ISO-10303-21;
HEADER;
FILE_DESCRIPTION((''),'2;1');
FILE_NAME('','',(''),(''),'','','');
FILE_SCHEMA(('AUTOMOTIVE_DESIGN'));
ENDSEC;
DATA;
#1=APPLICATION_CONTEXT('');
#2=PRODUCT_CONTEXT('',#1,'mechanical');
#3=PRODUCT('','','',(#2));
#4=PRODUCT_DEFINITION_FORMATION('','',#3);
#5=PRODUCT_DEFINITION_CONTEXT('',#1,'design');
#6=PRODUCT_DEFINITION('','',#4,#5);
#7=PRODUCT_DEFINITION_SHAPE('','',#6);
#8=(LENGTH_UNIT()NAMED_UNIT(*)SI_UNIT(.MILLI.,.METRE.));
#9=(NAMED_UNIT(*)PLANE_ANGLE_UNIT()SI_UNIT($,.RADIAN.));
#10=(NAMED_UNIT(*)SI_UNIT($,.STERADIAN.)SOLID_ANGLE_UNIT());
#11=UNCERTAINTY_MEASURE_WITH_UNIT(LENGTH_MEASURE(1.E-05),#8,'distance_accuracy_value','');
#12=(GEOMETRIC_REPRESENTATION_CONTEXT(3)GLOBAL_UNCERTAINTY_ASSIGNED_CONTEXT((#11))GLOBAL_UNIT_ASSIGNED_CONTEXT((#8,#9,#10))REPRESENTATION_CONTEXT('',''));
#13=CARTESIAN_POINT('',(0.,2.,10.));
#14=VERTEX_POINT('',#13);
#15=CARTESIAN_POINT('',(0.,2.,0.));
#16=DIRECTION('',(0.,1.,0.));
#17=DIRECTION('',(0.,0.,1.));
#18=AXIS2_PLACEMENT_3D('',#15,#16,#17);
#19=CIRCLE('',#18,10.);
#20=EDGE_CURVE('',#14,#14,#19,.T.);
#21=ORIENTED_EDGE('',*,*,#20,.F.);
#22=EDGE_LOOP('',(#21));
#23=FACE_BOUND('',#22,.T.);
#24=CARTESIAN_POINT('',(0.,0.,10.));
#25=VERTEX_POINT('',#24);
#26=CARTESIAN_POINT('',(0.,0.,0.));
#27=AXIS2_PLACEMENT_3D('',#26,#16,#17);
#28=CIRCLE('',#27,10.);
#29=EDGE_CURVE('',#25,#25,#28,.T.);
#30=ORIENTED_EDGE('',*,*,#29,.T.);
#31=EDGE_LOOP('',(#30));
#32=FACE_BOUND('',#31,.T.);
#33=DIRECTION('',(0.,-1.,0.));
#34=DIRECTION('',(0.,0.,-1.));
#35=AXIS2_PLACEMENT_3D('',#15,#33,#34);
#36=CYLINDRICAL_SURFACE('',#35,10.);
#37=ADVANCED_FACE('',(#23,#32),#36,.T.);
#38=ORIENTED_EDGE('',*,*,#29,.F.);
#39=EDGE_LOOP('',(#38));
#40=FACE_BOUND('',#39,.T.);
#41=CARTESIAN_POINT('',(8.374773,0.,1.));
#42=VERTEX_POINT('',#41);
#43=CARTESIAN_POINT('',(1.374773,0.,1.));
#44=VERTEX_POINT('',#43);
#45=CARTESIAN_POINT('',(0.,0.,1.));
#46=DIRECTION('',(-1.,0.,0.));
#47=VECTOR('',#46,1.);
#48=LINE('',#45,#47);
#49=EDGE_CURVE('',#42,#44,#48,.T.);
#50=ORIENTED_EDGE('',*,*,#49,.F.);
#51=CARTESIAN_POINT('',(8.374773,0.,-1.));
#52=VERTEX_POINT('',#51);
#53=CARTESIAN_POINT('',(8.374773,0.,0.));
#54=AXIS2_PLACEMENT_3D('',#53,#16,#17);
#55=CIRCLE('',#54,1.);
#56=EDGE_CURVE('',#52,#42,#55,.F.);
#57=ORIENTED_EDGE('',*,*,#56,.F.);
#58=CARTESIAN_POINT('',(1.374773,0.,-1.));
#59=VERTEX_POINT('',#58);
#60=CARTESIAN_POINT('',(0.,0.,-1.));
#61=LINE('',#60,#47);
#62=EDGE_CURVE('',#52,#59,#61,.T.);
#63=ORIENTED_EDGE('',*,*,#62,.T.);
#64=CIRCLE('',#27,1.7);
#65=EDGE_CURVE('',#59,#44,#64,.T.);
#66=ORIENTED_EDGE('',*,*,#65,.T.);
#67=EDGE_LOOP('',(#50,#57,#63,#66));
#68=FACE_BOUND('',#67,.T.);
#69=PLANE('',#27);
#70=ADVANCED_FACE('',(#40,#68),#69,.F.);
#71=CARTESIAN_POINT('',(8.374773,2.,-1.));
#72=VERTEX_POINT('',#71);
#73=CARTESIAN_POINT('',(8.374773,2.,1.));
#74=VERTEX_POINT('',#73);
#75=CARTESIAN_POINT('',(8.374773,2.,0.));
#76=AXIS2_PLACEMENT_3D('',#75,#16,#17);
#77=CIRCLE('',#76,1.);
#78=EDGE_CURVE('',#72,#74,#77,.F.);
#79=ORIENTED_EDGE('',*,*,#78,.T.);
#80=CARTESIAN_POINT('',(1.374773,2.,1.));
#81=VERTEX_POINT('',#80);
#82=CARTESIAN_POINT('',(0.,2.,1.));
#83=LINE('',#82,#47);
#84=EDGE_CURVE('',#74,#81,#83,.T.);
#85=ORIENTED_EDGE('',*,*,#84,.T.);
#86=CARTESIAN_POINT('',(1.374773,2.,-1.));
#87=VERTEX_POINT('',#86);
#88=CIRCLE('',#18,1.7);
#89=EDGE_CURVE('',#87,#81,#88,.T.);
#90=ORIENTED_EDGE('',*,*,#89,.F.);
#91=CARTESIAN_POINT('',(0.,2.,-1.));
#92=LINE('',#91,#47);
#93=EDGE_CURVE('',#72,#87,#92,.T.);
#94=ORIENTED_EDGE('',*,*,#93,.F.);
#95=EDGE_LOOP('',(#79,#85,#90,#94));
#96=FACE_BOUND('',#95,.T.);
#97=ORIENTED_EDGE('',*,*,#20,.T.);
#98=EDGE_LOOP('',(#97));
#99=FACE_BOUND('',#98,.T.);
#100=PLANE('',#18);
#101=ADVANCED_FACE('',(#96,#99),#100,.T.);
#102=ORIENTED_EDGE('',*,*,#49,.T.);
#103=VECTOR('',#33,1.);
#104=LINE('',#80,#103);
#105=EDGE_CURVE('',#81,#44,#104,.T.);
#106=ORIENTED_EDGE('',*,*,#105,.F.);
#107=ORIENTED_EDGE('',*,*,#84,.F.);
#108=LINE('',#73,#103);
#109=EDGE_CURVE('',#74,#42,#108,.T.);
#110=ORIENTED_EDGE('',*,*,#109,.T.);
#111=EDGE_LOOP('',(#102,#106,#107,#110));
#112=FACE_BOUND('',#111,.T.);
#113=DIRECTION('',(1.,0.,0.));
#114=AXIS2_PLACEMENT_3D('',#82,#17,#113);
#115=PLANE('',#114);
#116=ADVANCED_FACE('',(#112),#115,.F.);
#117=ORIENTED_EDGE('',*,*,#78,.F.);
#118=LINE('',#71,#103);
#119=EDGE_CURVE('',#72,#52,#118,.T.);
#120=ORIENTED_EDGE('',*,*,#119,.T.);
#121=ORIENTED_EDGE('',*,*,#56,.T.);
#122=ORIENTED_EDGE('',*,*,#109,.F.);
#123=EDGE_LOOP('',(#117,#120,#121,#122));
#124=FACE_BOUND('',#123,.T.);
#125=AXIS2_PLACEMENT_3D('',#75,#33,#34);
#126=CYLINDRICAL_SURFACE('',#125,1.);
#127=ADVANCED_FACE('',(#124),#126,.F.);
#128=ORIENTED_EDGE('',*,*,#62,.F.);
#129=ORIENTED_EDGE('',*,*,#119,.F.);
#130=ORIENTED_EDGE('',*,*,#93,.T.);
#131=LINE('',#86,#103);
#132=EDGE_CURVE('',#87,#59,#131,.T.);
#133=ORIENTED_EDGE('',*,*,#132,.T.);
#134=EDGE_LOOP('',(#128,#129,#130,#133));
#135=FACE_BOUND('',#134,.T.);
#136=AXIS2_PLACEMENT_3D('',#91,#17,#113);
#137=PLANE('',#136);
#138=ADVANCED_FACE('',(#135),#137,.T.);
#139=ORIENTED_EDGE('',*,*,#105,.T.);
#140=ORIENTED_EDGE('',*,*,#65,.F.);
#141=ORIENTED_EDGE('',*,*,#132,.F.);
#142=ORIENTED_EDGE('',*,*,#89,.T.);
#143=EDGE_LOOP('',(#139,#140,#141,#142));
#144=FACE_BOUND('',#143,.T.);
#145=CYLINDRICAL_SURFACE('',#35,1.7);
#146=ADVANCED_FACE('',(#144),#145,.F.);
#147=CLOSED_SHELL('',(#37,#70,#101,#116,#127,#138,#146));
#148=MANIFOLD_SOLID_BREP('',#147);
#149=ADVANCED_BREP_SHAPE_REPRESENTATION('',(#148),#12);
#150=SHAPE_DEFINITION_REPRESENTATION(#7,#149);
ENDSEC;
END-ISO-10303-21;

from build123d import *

# Parameters (mm, degrees)
SKETCH1_R           = 10
BOSS_EXTRUDE1_DEPTH = 2


with BuildPart() as part:
    # Sketch1 → Boss-Extrude1 (new body)
    with BuildSketch(Plane(origin=(0, 0, 0), x_dir=(1, 0, 0), z_dir=(0, 1, 0))):
        with Locations(Location((0, 0, 0), (0, 0, 270))):
            Circle(SKETCH1_R)
        with BuildLine():
            Line((1.374772708, 1), (8.374772708, 1))
            ThreePointArc((8.374772708, 1), (9.374772708, 0), (8.374772708, -1))
            Line((8.374772708, -1), (1.374772708, -1))
            ThreePointArc((1.374772708, -1), (-1.7, 0), (1.374772708, 1))
        make_face(mode=Mode.SUBTRACT)
    extrude(amount=BOSS_EXTRUDE1_DEPTH)


solid = part.part
